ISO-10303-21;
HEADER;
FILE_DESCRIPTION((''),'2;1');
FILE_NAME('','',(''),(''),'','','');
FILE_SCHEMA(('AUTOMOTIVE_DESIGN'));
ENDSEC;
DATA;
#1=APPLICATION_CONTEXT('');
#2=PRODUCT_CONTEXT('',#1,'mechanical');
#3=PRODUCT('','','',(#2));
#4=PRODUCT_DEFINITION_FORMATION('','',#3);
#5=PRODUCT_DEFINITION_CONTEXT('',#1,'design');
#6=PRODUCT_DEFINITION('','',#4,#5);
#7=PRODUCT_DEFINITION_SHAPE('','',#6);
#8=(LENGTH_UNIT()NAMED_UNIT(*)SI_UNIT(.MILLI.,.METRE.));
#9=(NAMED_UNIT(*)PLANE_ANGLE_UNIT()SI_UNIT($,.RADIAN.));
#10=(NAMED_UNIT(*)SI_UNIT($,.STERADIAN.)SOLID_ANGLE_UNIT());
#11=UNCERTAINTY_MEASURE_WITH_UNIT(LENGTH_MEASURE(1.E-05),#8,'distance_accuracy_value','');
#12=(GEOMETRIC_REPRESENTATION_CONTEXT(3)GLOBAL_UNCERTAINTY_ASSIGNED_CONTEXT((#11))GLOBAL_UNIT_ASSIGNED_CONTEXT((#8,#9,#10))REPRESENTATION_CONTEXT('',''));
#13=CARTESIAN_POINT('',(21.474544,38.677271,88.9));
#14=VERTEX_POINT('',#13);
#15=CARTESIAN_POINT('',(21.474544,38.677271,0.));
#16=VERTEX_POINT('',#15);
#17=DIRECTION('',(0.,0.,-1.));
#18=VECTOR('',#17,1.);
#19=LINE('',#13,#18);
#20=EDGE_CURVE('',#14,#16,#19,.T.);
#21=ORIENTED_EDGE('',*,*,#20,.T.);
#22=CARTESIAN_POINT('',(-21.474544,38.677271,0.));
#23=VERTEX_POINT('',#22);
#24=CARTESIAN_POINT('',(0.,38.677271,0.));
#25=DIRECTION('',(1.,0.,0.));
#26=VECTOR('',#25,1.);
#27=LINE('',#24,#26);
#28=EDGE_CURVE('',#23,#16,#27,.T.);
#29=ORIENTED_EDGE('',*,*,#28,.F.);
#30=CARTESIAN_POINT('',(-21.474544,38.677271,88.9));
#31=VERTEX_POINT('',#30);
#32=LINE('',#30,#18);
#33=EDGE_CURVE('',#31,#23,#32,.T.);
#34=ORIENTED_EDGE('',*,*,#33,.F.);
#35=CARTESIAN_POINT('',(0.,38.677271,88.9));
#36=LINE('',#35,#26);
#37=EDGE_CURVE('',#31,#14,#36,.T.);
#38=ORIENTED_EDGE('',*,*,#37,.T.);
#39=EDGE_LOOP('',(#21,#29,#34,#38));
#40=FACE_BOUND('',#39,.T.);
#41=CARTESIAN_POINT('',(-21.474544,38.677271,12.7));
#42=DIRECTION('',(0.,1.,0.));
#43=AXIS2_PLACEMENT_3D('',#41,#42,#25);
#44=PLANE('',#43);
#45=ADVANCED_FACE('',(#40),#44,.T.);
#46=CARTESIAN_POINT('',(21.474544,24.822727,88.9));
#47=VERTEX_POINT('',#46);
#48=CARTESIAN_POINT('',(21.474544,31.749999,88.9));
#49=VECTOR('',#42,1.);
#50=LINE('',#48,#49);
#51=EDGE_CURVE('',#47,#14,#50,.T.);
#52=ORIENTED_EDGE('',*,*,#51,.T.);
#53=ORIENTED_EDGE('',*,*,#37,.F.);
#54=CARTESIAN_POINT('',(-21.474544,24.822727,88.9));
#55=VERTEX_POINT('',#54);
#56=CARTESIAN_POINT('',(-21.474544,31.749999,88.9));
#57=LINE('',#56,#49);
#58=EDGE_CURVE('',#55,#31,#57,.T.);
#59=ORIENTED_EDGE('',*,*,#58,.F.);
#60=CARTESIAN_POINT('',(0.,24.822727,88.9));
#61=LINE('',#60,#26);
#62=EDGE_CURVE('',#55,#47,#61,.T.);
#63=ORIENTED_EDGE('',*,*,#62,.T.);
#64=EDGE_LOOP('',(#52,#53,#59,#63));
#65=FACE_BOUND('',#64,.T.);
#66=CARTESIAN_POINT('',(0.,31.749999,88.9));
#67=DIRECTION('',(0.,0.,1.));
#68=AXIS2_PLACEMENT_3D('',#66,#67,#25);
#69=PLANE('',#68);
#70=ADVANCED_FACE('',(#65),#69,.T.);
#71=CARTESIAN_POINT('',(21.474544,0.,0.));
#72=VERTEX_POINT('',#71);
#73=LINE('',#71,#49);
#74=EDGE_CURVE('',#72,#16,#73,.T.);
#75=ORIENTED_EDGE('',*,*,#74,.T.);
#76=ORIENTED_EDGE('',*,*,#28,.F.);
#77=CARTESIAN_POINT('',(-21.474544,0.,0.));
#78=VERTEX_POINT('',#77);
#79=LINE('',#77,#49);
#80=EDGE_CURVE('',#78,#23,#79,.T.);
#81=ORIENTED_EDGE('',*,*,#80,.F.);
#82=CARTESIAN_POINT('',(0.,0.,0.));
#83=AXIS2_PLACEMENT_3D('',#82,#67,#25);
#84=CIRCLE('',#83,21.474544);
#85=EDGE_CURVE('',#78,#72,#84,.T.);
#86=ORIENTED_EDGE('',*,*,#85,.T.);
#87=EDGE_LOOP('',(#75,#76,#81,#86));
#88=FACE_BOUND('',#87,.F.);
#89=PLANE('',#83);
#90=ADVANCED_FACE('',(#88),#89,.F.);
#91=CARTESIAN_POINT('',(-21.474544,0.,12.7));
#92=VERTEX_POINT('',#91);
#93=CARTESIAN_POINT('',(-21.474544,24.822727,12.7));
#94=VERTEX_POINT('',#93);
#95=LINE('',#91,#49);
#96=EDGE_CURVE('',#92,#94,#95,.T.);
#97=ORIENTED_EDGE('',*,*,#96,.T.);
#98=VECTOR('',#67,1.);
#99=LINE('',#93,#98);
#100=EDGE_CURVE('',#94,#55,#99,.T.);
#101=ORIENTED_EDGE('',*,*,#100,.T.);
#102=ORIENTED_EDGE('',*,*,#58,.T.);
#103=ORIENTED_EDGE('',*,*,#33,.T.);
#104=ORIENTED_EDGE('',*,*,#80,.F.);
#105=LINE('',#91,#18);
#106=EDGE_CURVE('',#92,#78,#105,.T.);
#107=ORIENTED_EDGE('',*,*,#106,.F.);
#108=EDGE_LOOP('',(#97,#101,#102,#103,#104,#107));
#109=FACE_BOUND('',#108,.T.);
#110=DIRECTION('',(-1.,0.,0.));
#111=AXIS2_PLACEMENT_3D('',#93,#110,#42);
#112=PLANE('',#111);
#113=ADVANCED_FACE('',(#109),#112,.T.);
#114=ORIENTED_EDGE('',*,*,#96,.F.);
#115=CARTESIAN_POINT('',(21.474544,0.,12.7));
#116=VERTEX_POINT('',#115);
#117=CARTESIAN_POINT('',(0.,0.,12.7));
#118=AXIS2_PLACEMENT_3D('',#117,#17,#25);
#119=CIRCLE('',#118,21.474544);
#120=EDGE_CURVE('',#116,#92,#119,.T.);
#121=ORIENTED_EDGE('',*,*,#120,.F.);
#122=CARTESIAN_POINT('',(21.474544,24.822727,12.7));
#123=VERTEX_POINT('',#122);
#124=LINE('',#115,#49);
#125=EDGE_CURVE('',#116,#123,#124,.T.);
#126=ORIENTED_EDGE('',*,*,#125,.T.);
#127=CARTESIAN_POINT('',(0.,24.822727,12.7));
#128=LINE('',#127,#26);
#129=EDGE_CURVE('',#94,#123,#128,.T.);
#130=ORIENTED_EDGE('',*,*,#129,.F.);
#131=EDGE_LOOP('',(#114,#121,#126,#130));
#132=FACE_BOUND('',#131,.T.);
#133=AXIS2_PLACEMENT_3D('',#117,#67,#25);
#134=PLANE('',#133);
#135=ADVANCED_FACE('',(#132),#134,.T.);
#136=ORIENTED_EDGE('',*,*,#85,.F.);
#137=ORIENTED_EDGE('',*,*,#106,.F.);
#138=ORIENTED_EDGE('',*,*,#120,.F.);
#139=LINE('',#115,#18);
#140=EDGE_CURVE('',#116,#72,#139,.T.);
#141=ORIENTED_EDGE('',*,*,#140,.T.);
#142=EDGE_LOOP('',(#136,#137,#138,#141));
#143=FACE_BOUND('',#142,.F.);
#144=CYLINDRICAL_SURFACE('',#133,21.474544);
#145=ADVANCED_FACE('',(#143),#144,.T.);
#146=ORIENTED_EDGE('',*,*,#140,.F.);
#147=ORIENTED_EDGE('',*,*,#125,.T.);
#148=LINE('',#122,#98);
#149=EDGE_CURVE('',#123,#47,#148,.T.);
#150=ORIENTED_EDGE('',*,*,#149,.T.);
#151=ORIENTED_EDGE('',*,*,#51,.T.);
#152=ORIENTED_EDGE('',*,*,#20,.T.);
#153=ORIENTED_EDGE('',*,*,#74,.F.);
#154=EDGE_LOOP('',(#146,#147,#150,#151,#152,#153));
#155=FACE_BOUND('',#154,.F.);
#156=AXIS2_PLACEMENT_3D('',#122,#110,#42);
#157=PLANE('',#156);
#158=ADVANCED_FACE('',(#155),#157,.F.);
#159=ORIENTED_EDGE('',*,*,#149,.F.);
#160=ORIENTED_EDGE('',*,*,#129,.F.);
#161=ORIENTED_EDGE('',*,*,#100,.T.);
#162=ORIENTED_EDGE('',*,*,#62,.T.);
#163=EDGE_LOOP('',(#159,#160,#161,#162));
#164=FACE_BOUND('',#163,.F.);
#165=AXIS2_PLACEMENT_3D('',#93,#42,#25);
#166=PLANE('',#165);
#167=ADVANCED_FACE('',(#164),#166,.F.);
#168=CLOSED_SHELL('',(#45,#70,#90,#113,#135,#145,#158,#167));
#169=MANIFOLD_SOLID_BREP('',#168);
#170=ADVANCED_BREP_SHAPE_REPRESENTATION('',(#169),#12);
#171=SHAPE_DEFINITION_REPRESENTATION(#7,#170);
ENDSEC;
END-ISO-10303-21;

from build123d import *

# Parameters (mm, degrees)
F0_W     = 42.949088
F0_H     = 77.354542
F1_DEPTH = 12.7
F3_DEPTH = 25.4
F4_W     = 42.949088
F4_H     = 13.854544
F5_DEPTH = 76.2


with BuildPart() as f1:
    # F0 (on Top) → F1 (new body)
    with BuildSketch(Plane.XY):
        Rectangle(F0_W, F0_H)
    extrude(amount=F1_DEPTH)

    # F2 (on face) → F3 (cut)
    with BuildSketch(Plane.XY.offset(12.7)):
        with BuildLine():
            ThreePointArc((21.474544, 0), (0, -21.474544), (-21.474544, 0))
            Line((-21.474544, 0), (-21.474544, -38.677271))
            Line((-21.474544, -38.677271), (21.474544, -38.677271))
            Line((21.474544, -38.677271), (21.474544, 0))
        make_face()
    extrude(amount=-F3_DEPTH, mode=Mode.SUBTRACT)

    # F4 (on face) → F5 (join)
    with BuildSketch(Plane.XY.offset(12.7)):
        with Locations((0, 31.749999)):
            Rectangle(F4_W, F4_H)
    extrude(amount=F5_DEPTH)


solid = f1.part
